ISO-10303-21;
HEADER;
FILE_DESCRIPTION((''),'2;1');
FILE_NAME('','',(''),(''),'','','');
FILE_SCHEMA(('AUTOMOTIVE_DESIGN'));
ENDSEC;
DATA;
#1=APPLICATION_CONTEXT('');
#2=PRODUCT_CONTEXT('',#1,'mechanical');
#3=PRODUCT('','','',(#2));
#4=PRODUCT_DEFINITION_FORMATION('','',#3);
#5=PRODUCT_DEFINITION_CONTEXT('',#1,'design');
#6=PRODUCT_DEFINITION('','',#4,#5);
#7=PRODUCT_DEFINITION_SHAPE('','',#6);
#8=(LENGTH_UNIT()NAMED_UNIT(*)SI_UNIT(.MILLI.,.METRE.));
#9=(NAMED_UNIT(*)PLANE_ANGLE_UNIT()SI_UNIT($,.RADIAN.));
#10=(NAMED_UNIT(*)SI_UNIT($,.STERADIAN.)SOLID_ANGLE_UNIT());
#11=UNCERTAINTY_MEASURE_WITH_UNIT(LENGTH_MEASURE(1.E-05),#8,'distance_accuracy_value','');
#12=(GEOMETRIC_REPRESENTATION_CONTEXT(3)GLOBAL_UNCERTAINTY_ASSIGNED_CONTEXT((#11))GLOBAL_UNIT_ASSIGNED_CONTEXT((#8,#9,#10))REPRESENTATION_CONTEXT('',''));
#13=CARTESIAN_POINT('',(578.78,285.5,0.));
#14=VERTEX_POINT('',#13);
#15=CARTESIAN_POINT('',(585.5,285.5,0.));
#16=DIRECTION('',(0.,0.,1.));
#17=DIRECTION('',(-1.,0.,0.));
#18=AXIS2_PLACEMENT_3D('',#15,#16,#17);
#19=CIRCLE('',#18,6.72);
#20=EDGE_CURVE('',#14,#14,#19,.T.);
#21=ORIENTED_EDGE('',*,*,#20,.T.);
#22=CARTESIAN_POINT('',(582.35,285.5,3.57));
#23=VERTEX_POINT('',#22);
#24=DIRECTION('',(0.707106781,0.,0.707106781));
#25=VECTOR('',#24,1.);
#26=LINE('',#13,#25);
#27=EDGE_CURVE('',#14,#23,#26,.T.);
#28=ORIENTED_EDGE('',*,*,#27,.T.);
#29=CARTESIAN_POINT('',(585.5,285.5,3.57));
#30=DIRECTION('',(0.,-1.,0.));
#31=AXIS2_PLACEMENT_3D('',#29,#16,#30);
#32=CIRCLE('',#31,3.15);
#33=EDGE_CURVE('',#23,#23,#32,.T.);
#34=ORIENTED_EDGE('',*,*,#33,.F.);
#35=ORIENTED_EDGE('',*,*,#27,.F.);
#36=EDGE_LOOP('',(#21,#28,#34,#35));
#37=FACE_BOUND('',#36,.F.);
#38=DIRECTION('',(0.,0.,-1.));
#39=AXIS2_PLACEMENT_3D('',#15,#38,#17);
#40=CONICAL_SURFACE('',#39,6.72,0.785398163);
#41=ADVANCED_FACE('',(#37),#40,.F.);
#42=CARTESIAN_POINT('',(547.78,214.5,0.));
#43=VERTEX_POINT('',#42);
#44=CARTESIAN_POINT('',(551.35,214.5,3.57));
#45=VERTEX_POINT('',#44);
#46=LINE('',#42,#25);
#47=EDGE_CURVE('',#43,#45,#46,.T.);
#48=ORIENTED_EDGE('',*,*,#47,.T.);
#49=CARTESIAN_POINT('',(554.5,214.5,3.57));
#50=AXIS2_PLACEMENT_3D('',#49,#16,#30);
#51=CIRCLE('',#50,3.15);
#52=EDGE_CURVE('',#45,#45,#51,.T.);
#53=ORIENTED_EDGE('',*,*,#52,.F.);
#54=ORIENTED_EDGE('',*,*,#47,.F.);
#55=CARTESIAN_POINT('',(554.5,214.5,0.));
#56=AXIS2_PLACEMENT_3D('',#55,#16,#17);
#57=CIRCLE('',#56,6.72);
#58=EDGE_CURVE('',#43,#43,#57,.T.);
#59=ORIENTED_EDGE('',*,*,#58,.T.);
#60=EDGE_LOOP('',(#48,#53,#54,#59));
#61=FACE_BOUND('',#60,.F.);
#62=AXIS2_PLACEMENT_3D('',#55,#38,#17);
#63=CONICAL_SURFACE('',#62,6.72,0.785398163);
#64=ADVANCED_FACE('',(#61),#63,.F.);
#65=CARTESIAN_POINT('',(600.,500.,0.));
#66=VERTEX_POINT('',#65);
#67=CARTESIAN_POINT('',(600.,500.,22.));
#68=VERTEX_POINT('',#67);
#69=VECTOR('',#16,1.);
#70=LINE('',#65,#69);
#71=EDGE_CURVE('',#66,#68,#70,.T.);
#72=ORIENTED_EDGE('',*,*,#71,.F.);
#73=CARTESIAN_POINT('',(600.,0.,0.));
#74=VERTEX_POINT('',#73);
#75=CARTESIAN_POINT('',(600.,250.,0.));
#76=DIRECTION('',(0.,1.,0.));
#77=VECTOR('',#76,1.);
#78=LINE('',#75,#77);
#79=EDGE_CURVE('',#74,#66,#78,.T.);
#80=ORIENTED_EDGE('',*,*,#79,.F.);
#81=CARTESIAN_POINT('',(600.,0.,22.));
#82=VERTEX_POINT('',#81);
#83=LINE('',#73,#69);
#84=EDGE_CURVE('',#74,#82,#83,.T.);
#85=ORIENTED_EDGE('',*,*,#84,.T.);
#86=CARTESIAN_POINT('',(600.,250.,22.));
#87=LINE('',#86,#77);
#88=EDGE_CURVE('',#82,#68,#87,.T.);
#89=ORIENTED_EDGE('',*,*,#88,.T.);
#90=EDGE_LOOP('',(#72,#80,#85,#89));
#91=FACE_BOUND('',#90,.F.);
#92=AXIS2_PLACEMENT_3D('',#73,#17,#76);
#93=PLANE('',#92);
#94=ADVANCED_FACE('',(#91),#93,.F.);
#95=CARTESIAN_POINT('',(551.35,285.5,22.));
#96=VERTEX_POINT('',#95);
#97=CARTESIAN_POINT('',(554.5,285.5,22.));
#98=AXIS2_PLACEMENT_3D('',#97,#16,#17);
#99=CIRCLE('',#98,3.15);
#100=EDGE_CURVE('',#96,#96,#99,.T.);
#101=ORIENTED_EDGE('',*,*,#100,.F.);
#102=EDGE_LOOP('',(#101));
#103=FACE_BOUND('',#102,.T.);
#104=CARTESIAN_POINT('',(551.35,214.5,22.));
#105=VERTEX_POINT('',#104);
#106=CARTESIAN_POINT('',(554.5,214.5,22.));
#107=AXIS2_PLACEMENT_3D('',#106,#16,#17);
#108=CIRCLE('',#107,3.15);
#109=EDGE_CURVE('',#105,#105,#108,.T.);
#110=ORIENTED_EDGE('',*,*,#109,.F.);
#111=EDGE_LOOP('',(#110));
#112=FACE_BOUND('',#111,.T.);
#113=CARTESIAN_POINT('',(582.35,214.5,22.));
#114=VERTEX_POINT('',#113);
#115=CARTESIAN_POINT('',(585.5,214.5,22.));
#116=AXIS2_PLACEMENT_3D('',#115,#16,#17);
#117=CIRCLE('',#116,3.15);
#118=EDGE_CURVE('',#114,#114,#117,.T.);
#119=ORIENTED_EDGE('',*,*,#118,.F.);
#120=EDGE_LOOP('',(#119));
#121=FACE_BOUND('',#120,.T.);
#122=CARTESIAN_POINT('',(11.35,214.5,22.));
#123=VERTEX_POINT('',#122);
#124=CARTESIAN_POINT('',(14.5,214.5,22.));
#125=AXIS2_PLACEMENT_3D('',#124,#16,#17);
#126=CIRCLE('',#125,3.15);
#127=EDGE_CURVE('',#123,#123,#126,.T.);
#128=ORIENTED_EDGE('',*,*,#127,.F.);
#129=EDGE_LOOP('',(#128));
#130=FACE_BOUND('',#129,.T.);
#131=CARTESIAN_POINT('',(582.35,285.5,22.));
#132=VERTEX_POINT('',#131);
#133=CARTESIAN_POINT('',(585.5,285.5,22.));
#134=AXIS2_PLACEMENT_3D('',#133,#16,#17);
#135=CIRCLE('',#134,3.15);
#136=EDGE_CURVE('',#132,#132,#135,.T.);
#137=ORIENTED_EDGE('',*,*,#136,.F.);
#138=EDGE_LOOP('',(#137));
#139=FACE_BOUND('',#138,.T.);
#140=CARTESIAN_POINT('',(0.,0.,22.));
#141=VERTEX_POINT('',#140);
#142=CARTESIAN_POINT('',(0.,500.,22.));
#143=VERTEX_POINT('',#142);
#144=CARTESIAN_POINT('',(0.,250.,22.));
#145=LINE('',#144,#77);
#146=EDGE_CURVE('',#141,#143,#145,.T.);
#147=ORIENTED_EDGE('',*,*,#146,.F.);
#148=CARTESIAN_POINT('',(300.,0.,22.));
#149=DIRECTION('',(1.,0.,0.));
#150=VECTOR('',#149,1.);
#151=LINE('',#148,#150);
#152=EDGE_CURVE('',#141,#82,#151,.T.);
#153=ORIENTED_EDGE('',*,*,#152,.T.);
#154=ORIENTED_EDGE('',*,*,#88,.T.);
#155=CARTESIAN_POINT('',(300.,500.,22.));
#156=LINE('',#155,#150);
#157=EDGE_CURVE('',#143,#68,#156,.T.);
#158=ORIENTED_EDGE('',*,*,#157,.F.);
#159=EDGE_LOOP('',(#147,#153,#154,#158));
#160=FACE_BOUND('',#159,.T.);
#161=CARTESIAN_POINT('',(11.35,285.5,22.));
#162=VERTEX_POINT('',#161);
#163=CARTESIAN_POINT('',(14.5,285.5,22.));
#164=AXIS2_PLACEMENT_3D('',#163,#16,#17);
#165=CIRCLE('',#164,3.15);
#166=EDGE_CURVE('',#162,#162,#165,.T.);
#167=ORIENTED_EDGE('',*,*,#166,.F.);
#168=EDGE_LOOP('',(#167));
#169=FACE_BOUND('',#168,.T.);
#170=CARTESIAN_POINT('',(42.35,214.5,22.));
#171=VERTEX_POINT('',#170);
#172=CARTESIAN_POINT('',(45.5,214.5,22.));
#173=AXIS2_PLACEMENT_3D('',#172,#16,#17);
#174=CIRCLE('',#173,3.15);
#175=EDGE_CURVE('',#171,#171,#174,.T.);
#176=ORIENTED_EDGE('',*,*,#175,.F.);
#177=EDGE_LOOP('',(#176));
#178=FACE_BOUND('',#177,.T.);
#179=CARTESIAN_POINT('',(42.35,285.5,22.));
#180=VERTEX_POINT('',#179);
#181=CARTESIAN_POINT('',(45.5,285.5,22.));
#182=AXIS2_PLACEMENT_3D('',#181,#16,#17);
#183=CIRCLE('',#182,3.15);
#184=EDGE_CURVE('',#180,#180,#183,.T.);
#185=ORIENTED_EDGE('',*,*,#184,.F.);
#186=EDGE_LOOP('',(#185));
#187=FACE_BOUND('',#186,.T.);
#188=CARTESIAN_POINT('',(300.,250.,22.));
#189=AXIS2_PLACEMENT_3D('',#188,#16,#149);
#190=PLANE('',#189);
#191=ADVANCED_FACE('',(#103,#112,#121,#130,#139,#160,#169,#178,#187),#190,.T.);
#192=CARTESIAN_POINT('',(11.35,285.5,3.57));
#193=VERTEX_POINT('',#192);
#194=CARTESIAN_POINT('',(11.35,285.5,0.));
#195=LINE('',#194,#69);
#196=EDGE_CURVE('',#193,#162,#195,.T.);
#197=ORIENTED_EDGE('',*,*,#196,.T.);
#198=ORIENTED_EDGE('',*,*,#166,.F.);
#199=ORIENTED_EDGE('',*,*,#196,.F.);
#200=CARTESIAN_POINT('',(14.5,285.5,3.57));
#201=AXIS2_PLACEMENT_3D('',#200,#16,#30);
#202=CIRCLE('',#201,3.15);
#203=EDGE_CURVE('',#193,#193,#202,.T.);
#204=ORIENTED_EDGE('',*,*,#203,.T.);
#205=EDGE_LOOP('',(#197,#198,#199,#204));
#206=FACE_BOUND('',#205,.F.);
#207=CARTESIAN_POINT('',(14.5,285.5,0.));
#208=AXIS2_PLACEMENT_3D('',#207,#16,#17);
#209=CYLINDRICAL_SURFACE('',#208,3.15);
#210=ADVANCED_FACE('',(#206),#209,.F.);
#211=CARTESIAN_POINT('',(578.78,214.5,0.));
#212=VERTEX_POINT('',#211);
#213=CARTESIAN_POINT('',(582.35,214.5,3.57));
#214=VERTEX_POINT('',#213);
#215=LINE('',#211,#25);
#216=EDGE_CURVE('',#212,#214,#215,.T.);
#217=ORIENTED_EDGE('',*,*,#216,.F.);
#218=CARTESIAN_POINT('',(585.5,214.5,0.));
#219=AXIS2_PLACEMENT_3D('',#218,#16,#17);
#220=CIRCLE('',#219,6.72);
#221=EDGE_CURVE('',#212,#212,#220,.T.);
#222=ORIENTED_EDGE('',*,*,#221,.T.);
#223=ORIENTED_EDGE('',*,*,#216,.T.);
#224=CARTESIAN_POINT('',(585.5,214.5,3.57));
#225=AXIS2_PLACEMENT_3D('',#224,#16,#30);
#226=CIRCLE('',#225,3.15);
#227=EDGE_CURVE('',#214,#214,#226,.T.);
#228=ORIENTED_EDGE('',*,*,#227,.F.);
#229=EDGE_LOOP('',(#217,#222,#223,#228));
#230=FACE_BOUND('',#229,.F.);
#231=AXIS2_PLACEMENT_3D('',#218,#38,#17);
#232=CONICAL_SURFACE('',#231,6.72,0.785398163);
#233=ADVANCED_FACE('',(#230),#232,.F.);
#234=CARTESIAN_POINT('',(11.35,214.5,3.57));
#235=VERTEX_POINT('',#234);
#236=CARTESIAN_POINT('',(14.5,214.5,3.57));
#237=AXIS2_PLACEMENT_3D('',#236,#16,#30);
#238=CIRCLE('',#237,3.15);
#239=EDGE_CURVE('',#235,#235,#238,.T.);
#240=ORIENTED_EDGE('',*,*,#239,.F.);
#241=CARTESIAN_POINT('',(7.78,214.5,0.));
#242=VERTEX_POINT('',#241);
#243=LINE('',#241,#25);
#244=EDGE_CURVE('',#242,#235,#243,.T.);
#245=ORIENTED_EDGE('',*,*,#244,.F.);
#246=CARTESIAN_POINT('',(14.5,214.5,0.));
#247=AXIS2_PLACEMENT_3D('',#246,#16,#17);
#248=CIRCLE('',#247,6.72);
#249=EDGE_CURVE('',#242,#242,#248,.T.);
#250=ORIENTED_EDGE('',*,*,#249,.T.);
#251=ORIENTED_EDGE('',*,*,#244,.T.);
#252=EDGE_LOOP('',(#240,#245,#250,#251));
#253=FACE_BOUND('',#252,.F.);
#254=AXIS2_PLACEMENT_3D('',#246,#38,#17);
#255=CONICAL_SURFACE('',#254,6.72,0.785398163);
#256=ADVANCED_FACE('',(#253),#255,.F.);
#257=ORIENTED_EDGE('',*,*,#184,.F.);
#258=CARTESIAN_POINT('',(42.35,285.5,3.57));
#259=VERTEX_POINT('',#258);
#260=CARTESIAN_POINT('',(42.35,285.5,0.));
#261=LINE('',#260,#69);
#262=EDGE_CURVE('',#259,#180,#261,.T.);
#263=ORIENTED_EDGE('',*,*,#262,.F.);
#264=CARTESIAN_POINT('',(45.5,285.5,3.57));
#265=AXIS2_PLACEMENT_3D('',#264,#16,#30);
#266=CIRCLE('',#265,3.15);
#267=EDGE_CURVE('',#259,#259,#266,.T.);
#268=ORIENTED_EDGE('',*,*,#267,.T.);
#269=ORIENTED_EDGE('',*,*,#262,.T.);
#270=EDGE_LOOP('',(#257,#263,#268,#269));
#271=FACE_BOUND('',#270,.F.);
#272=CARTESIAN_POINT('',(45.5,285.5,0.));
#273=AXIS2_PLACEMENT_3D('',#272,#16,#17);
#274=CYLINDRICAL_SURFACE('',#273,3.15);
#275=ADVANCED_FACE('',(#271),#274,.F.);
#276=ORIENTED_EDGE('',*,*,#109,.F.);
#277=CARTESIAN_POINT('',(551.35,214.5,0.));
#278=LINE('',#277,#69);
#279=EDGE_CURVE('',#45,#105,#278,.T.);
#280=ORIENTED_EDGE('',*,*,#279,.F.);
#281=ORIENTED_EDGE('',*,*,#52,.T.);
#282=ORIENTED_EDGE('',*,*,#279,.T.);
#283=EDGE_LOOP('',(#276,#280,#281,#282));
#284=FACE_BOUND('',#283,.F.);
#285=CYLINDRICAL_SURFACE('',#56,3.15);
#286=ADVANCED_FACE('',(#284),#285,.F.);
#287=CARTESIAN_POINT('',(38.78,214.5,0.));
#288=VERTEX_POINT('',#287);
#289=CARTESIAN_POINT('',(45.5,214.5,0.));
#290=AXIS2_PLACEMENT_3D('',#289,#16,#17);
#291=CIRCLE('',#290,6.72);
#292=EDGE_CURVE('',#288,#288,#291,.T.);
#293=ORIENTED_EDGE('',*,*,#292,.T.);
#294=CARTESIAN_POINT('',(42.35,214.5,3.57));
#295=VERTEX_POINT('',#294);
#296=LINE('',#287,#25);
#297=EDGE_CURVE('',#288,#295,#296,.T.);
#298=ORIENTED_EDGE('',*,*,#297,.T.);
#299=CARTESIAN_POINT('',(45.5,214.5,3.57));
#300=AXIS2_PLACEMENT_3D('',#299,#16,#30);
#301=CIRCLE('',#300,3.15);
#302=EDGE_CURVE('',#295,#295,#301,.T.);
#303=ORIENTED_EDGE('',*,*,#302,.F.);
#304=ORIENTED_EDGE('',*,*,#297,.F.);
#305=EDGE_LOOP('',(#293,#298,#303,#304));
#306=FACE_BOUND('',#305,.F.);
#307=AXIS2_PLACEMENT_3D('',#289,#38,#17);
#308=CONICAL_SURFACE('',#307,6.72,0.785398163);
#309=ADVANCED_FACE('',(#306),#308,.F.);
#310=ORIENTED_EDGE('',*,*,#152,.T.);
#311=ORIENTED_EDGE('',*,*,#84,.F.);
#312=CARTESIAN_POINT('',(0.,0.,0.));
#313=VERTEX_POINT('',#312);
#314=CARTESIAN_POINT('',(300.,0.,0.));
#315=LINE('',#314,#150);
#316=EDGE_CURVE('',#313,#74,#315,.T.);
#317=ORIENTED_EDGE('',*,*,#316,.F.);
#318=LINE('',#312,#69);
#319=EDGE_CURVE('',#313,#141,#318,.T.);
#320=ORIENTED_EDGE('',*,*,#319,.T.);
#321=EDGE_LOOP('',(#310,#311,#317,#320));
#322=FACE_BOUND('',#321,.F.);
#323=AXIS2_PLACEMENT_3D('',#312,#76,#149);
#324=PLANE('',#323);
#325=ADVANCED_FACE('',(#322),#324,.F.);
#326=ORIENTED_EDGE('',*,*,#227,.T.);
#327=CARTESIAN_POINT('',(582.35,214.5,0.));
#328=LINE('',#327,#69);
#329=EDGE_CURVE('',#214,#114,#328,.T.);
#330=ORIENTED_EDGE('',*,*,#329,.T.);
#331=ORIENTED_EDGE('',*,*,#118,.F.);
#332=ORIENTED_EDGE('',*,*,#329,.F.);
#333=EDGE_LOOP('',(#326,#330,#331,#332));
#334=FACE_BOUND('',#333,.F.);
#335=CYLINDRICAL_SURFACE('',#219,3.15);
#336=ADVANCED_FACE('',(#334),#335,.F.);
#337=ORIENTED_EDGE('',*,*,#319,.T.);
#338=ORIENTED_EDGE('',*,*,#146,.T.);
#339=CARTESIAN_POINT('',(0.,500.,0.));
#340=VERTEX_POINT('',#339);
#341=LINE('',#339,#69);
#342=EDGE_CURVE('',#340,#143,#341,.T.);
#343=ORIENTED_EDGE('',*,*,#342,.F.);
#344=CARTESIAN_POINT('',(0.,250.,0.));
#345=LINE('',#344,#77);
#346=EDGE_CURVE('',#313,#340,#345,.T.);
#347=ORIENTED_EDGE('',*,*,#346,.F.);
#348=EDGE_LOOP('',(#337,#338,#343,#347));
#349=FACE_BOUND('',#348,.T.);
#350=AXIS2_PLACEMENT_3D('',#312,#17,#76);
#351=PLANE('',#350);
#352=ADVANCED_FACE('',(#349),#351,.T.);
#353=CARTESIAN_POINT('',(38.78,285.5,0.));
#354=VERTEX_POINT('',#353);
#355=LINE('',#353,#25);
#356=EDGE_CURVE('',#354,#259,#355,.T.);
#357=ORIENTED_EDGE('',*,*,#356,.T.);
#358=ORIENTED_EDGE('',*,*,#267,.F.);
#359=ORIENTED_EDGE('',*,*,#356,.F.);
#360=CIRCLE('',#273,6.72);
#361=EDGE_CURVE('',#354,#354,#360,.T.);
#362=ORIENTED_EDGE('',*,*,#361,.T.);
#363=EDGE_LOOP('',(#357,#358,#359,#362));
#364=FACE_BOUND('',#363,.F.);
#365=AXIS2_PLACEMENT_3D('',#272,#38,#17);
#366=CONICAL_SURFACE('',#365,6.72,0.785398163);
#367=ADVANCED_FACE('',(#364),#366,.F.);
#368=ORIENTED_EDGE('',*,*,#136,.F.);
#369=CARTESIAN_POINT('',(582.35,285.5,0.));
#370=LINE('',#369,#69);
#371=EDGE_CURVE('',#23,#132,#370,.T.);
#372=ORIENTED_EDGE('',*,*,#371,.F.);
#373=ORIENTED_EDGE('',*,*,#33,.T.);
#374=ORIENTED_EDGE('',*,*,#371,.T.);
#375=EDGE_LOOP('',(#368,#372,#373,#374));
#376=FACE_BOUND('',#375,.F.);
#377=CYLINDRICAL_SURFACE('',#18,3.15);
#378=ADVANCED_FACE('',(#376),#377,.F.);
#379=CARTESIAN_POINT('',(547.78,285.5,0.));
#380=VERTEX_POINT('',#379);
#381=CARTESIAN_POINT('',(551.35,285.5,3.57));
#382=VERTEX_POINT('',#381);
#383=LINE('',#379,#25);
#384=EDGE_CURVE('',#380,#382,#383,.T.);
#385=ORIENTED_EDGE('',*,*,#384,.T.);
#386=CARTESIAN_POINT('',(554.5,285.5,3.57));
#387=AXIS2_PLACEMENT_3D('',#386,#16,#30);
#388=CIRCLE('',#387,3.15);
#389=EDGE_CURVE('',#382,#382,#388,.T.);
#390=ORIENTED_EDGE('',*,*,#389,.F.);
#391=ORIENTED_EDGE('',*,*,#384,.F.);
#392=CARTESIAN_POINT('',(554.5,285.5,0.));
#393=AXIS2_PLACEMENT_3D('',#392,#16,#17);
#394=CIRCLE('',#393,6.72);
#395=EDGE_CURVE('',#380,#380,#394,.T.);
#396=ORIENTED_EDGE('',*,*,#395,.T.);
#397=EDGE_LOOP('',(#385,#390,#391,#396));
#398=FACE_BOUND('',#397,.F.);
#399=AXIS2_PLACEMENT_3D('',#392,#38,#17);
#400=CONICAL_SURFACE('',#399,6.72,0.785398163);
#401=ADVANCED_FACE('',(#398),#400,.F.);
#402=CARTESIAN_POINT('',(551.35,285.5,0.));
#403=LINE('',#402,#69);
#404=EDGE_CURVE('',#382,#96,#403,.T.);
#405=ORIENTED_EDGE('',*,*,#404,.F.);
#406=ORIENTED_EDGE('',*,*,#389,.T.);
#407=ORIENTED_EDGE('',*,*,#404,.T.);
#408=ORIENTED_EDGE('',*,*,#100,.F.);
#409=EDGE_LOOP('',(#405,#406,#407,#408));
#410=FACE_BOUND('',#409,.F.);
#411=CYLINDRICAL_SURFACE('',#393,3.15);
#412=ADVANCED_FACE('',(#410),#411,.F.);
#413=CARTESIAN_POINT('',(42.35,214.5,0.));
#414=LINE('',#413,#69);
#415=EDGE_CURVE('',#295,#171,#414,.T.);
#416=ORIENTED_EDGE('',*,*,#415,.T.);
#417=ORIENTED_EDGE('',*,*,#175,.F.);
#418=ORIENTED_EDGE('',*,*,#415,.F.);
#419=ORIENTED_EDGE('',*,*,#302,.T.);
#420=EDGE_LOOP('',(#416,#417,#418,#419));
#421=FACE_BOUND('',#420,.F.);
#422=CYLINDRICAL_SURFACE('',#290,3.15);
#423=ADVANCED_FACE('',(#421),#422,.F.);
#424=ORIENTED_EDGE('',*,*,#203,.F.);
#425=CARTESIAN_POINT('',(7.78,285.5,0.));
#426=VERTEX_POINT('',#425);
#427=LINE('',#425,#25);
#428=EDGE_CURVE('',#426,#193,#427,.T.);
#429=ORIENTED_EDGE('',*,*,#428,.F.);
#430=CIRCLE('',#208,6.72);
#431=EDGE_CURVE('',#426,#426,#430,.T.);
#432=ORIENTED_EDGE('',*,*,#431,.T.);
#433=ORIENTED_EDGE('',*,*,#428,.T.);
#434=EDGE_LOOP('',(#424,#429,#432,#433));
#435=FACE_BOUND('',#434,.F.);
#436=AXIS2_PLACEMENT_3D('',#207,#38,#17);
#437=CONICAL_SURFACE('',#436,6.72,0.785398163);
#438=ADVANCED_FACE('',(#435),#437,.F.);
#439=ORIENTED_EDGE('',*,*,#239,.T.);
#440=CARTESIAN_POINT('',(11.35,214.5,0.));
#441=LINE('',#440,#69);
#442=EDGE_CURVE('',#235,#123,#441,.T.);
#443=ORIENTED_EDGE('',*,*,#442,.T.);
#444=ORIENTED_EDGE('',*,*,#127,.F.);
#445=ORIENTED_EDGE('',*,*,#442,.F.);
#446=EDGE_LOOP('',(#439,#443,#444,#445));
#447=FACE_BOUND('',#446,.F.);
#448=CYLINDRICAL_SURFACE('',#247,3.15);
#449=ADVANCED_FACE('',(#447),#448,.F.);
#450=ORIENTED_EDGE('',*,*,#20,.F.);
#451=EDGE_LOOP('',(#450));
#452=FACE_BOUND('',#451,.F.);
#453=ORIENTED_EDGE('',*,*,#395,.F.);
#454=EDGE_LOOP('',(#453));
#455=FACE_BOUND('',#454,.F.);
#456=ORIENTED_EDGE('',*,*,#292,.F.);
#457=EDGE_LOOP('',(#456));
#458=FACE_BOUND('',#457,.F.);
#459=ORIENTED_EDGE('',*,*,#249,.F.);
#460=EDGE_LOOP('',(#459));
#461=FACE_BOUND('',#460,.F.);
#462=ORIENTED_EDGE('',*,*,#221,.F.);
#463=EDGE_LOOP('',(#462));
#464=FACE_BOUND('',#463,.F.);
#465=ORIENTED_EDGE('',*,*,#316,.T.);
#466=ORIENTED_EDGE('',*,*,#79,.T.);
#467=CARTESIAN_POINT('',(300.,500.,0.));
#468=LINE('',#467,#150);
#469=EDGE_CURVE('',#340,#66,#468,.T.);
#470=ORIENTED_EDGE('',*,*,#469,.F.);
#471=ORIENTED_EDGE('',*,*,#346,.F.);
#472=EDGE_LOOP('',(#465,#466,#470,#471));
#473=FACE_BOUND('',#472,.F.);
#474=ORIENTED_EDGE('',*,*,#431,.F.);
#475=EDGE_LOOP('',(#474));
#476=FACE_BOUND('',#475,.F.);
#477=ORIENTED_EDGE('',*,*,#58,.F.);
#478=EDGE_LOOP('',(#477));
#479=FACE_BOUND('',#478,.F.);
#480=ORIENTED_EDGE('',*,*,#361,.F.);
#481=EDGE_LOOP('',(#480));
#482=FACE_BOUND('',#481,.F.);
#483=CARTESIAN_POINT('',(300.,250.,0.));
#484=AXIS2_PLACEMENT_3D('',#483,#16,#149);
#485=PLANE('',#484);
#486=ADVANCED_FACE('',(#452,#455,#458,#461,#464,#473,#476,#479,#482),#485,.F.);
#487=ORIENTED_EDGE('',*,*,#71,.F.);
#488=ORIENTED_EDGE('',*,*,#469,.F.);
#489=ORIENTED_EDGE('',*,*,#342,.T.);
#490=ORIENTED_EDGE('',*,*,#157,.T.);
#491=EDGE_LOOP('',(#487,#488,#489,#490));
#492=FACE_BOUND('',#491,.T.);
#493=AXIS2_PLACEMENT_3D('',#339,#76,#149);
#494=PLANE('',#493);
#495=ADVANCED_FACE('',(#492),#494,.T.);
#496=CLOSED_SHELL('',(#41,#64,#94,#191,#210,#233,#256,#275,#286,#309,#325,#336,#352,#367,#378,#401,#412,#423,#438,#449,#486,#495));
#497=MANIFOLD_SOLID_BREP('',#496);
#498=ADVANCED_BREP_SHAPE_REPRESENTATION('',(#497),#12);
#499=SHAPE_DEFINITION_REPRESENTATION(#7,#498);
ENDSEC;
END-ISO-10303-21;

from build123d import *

# Parameters (mm, degrees)
F0_W           = 600
F0_H           = 500
F1_DEPTH       = 22
F3_D           = 6.3
F3_CSINK_D     = 13.44
F3_CSINK_ANGLE = 90


with BuildPart() as f1:
    # F0 (on Top) → F1 (new body)
    with BuildSketch(Plane.XY):
        with Locations((300, 250)):
            Rectangle(F0_W, F0_H)
    extrude(amount=F1_DEPTH)

    # F3 (through all)
    with Locations(Plane(origin=(0, 0, 0), x_dir=(1, 0, 0), z_dir=(0, 0, -1))):
        with Locations((14.5, -214.5), (45.5, -214.5), (14.5, -285.5), (45.5, -285.5), (554.5, -214.5), (585.5, -214.5), (554.5, -285.5), (585.5, -285.5)):
            CounterSinkHole(F3_D / 2, F3_CSINK_D / 2, counter_sink_angle=F3_CSINK_ANGLE)


solid = f1.part
